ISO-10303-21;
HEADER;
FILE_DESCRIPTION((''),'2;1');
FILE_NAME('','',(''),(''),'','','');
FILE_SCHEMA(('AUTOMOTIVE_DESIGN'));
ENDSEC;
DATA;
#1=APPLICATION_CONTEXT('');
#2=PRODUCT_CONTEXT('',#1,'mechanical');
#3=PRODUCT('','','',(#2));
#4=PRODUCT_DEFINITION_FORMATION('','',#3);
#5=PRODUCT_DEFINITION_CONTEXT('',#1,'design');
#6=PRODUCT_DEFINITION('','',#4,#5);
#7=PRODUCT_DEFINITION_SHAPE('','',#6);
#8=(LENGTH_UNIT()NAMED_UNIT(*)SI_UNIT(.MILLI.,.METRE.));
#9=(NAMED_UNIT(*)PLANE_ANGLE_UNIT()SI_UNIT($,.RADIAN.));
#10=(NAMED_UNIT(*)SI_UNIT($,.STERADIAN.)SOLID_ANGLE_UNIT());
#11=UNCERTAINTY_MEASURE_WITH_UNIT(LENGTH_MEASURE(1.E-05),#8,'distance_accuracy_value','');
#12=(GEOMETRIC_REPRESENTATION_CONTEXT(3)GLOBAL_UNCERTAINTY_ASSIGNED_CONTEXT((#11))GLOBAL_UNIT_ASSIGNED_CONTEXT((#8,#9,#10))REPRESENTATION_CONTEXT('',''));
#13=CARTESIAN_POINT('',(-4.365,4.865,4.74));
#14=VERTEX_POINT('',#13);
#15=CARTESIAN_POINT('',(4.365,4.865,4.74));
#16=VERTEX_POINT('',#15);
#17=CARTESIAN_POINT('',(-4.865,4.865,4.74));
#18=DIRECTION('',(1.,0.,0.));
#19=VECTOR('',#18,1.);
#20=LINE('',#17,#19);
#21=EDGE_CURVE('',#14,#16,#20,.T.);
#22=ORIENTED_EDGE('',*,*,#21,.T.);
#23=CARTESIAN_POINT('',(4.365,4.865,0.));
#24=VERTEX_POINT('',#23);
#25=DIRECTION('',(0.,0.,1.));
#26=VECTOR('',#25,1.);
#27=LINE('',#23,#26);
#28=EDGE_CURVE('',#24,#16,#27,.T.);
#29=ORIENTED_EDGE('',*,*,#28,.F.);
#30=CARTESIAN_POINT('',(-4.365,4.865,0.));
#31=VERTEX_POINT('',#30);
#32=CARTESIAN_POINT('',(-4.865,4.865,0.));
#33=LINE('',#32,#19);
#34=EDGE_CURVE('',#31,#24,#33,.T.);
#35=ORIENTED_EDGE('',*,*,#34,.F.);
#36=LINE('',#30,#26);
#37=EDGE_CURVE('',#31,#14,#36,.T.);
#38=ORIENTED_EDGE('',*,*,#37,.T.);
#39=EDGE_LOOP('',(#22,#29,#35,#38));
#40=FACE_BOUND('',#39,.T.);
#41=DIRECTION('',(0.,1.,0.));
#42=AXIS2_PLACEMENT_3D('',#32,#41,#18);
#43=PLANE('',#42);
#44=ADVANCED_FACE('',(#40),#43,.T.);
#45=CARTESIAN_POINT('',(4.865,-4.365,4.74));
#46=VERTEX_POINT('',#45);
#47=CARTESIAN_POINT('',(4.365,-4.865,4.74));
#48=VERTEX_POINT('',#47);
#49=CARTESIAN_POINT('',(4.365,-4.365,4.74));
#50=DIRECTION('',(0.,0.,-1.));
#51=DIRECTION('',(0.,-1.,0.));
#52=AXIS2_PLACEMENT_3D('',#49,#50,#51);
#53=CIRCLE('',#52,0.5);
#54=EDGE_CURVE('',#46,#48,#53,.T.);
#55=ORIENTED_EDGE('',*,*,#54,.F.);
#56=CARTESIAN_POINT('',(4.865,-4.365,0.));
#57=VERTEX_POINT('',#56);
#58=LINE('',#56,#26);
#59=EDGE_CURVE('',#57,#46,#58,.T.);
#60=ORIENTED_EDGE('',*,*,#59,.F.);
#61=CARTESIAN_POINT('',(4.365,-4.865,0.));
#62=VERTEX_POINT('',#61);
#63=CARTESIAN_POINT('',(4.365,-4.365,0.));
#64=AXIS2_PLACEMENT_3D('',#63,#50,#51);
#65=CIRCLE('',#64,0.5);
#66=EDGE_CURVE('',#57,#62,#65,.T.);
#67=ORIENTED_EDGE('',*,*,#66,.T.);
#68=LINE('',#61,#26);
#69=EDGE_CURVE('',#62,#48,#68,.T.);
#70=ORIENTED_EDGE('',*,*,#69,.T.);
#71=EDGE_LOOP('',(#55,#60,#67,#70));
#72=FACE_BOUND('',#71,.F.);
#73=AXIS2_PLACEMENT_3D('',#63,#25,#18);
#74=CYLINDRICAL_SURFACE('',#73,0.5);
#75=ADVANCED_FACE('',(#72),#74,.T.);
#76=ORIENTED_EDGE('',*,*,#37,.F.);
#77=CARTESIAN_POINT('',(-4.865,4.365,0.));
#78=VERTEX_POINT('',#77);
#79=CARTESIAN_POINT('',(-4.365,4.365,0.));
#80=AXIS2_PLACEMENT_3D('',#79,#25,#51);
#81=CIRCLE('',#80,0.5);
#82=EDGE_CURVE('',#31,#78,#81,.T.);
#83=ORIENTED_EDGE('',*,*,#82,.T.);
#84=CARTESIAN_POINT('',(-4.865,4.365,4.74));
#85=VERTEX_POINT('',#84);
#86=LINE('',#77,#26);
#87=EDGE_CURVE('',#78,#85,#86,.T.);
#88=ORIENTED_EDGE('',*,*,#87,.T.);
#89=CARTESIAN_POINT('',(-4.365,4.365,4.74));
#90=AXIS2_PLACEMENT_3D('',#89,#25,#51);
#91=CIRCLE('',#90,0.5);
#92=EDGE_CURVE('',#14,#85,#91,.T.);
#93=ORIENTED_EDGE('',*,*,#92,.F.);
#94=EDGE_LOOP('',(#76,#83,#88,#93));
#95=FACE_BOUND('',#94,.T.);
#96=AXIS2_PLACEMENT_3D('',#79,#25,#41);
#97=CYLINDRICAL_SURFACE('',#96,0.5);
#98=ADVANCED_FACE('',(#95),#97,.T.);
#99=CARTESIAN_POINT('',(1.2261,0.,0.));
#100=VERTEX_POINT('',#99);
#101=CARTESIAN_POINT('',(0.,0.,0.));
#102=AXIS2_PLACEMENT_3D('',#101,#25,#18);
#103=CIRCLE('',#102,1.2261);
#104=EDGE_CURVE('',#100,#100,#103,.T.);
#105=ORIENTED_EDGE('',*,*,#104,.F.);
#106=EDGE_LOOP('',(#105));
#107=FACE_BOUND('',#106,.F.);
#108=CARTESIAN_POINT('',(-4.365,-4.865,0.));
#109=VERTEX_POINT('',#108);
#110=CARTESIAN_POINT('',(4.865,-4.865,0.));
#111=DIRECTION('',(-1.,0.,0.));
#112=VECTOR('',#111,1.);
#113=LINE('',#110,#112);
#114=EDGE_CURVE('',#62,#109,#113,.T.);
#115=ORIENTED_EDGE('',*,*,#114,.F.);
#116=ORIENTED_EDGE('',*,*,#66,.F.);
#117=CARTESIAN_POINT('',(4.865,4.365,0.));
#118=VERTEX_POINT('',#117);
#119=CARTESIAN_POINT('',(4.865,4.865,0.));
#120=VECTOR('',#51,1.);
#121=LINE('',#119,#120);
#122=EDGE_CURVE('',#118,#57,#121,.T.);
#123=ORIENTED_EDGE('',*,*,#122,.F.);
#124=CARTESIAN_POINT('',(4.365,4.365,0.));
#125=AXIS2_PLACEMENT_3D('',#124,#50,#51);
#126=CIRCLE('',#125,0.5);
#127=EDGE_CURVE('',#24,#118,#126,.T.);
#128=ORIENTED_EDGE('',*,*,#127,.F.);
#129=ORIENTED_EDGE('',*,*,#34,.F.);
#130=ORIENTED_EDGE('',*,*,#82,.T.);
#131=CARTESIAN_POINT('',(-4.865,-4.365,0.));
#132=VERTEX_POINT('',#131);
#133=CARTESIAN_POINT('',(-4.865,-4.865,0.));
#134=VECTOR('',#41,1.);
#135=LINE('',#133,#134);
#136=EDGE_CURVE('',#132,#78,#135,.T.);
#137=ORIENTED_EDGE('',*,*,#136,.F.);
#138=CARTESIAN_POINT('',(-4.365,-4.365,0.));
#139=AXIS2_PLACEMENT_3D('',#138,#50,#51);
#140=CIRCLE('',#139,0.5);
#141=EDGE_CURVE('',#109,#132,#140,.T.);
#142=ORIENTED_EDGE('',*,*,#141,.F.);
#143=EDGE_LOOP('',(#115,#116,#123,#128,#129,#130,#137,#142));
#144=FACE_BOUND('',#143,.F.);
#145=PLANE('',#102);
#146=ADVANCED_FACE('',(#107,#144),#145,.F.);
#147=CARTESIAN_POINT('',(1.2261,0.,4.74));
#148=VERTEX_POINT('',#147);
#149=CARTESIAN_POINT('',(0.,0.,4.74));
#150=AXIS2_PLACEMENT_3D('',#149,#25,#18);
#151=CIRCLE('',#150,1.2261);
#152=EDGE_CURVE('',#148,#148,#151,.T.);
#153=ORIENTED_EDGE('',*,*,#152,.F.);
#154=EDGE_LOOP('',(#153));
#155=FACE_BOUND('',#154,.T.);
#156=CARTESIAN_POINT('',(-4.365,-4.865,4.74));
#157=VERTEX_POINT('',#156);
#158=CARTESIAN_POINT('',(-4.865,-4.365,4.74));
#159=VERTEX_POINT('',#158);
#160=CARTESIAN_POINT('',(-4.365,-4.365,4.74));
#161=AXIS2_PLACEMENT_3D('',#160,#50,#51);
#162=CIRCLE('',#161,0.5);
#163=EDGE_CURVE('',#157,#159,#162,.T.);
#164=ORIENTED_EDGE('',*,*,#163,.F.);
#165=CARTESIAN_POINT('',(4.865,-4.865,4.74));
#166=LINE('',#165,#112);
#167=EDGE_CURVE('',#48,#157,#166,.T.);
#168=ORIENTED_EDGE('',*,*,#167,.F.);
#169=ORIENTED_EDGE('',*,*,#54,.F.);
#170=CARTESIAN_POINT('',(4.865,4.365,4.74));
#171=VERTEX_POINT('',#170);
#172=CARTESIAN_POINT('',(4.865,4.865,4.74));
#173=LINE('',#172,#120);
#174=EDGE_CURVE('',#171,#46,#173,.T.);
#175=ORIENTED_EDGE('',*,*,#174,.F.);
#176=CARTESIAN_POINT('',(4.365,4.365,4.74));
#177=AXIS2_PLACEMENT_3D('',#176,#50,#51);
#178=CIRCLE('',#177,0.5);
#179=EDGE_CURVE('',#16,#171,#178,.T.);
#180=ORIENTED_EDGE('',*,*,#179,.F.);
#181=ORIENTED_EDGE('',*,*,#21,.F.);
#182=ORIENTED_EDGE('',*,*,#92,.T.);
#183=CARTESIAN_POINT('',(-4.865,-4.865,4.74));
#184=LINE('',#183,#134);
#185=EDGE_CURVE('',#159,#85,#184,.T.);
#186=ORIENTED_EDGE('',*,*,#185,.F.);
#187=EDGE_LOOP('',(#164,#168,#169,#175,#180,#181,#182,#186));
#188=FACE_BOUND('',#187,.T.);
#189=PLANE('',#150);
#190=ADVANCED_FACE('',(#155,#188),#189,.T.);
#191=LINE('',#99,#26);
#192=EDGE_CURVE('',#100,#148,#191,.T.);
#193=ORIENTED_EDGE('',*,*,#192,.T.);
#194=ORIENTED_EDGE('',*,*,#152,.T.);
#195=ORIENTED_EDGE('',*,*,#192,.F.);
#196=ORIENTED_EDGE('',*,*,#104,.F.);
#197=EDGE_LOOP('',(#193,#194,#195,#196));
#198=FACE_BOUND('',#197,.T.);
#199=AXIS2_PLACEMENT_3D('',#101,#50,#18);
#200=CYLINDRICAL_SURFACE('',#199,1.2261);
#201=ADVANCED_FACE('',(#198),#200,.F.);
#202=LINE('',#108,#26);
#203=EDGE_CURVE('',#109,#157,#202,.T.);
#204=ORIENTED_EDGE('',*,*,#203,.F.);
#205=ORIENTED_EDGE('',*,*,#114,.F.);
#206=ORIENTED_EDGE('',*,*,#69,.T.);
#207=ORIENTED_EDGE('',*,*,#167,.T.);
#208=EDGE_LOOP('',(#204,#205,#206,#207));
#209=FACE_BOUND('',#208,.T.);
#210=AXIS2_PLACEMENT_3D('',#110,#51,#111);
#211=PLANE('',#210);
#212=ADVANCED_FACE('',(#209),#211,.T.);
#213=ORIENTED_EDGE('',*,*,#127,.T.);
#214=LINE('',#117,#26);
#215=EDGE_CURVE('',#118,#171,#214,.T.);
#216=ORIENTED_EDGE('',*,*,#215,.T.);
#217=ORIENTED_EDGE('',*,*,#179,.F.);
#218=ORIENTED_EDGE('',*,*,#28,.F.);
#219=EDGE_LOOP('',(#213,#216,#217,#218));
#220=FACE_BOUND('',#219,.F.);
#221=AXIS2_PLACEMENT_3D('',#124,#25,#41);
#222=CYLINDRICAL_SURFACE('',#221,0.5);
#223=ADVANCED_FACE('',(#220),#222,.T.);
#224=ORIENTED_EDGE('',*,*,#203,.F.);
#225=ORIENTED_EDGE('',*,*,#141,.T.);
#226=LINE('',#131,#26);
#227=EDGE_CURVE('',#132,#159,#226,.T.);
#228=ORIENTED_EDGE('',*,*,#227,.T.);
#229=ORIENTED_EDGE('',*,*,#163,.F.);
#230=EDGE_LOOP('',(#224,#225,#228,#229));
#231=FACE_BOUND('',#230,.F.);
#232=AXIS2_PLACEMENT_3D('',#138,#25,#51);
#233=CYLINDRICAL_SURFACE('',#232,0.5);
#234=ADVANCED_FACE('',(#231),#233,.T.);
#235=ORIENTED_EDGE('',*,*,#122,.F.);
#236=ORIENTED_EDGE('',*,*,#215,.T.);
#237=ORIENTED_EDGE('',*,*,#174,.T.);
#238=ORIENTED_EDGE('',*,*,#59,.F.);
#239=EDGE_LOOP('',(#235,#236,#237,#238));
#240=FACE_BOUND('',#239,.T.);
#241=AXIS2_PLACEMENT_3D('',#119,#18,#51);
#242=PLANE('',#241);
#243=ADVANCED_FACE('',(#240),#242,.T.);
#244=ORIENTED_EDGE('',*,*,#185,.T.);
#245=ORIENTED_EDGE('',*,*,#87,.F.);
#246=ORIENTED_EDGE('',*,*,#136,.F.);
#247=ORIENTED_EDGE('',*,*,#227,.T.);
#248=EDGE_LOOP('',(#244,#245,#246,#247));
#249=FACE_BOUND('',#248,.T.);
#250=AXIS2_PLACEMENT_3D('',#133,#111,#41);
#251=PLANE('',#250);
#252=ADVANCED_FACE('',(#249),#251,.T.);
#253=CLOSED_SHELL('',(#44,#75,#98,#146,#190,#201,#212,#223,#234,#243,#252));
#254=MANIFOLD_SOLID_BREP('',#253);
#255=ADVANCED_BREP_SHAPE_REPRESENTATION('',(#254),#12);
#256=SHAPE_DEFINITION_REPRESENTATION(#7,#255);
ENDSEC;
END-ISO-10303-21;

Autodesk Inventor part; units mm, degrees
ref_plane "YZ Plane" through (0, 0, 0) normal (1, 0, 0) x (0, 1, 0)
ref_plane "XZ Plane" through (0, 0, 0) normal (0, 1, 0) x (-1, 0, 0)
ref_plane "XY Plane" through (0, 0, 0) normal (0, 0, 1) x (1, 0, 0)
sketch "Skizze1" plane through (0, 0, 0) normal (0, 0, 1) x (1, 0, 0)
  line L0 (-4.865, 4.865) -> (4.865, 4.865)
  line L1 (4.865, 4.865) -> (4.865, -4.865)
  line L2 (4.865, -4.865) -> (-4.865, -4.865)
  line L3 (-4.865, -4.865) -> (-4.865, 4.865)
  line L4 (-4.865, 4.865) -> (4.865, -4.865) construction
  line L5 (4.865, 4.865) -> (-4.865, -4.865) construction
  circle A0 centre (0, 0) radius 1.2261
  dimension "d_1" = 9.73
  dimension "d1" = 9.73
extrude "Extrusion1" add sketch "Skizze1" along normal blind 4.74
fillet "Fillet1" radius 0.5 4 edges at (-4.865, -4.865, 2.37) (-4.865, 4.865, 2.37) (4.865, -4.865, 2.37) (4.865, 4.865, 2.37)
equation "\"d1\" = d_1"
properties part number "LG_G2_Lens"
